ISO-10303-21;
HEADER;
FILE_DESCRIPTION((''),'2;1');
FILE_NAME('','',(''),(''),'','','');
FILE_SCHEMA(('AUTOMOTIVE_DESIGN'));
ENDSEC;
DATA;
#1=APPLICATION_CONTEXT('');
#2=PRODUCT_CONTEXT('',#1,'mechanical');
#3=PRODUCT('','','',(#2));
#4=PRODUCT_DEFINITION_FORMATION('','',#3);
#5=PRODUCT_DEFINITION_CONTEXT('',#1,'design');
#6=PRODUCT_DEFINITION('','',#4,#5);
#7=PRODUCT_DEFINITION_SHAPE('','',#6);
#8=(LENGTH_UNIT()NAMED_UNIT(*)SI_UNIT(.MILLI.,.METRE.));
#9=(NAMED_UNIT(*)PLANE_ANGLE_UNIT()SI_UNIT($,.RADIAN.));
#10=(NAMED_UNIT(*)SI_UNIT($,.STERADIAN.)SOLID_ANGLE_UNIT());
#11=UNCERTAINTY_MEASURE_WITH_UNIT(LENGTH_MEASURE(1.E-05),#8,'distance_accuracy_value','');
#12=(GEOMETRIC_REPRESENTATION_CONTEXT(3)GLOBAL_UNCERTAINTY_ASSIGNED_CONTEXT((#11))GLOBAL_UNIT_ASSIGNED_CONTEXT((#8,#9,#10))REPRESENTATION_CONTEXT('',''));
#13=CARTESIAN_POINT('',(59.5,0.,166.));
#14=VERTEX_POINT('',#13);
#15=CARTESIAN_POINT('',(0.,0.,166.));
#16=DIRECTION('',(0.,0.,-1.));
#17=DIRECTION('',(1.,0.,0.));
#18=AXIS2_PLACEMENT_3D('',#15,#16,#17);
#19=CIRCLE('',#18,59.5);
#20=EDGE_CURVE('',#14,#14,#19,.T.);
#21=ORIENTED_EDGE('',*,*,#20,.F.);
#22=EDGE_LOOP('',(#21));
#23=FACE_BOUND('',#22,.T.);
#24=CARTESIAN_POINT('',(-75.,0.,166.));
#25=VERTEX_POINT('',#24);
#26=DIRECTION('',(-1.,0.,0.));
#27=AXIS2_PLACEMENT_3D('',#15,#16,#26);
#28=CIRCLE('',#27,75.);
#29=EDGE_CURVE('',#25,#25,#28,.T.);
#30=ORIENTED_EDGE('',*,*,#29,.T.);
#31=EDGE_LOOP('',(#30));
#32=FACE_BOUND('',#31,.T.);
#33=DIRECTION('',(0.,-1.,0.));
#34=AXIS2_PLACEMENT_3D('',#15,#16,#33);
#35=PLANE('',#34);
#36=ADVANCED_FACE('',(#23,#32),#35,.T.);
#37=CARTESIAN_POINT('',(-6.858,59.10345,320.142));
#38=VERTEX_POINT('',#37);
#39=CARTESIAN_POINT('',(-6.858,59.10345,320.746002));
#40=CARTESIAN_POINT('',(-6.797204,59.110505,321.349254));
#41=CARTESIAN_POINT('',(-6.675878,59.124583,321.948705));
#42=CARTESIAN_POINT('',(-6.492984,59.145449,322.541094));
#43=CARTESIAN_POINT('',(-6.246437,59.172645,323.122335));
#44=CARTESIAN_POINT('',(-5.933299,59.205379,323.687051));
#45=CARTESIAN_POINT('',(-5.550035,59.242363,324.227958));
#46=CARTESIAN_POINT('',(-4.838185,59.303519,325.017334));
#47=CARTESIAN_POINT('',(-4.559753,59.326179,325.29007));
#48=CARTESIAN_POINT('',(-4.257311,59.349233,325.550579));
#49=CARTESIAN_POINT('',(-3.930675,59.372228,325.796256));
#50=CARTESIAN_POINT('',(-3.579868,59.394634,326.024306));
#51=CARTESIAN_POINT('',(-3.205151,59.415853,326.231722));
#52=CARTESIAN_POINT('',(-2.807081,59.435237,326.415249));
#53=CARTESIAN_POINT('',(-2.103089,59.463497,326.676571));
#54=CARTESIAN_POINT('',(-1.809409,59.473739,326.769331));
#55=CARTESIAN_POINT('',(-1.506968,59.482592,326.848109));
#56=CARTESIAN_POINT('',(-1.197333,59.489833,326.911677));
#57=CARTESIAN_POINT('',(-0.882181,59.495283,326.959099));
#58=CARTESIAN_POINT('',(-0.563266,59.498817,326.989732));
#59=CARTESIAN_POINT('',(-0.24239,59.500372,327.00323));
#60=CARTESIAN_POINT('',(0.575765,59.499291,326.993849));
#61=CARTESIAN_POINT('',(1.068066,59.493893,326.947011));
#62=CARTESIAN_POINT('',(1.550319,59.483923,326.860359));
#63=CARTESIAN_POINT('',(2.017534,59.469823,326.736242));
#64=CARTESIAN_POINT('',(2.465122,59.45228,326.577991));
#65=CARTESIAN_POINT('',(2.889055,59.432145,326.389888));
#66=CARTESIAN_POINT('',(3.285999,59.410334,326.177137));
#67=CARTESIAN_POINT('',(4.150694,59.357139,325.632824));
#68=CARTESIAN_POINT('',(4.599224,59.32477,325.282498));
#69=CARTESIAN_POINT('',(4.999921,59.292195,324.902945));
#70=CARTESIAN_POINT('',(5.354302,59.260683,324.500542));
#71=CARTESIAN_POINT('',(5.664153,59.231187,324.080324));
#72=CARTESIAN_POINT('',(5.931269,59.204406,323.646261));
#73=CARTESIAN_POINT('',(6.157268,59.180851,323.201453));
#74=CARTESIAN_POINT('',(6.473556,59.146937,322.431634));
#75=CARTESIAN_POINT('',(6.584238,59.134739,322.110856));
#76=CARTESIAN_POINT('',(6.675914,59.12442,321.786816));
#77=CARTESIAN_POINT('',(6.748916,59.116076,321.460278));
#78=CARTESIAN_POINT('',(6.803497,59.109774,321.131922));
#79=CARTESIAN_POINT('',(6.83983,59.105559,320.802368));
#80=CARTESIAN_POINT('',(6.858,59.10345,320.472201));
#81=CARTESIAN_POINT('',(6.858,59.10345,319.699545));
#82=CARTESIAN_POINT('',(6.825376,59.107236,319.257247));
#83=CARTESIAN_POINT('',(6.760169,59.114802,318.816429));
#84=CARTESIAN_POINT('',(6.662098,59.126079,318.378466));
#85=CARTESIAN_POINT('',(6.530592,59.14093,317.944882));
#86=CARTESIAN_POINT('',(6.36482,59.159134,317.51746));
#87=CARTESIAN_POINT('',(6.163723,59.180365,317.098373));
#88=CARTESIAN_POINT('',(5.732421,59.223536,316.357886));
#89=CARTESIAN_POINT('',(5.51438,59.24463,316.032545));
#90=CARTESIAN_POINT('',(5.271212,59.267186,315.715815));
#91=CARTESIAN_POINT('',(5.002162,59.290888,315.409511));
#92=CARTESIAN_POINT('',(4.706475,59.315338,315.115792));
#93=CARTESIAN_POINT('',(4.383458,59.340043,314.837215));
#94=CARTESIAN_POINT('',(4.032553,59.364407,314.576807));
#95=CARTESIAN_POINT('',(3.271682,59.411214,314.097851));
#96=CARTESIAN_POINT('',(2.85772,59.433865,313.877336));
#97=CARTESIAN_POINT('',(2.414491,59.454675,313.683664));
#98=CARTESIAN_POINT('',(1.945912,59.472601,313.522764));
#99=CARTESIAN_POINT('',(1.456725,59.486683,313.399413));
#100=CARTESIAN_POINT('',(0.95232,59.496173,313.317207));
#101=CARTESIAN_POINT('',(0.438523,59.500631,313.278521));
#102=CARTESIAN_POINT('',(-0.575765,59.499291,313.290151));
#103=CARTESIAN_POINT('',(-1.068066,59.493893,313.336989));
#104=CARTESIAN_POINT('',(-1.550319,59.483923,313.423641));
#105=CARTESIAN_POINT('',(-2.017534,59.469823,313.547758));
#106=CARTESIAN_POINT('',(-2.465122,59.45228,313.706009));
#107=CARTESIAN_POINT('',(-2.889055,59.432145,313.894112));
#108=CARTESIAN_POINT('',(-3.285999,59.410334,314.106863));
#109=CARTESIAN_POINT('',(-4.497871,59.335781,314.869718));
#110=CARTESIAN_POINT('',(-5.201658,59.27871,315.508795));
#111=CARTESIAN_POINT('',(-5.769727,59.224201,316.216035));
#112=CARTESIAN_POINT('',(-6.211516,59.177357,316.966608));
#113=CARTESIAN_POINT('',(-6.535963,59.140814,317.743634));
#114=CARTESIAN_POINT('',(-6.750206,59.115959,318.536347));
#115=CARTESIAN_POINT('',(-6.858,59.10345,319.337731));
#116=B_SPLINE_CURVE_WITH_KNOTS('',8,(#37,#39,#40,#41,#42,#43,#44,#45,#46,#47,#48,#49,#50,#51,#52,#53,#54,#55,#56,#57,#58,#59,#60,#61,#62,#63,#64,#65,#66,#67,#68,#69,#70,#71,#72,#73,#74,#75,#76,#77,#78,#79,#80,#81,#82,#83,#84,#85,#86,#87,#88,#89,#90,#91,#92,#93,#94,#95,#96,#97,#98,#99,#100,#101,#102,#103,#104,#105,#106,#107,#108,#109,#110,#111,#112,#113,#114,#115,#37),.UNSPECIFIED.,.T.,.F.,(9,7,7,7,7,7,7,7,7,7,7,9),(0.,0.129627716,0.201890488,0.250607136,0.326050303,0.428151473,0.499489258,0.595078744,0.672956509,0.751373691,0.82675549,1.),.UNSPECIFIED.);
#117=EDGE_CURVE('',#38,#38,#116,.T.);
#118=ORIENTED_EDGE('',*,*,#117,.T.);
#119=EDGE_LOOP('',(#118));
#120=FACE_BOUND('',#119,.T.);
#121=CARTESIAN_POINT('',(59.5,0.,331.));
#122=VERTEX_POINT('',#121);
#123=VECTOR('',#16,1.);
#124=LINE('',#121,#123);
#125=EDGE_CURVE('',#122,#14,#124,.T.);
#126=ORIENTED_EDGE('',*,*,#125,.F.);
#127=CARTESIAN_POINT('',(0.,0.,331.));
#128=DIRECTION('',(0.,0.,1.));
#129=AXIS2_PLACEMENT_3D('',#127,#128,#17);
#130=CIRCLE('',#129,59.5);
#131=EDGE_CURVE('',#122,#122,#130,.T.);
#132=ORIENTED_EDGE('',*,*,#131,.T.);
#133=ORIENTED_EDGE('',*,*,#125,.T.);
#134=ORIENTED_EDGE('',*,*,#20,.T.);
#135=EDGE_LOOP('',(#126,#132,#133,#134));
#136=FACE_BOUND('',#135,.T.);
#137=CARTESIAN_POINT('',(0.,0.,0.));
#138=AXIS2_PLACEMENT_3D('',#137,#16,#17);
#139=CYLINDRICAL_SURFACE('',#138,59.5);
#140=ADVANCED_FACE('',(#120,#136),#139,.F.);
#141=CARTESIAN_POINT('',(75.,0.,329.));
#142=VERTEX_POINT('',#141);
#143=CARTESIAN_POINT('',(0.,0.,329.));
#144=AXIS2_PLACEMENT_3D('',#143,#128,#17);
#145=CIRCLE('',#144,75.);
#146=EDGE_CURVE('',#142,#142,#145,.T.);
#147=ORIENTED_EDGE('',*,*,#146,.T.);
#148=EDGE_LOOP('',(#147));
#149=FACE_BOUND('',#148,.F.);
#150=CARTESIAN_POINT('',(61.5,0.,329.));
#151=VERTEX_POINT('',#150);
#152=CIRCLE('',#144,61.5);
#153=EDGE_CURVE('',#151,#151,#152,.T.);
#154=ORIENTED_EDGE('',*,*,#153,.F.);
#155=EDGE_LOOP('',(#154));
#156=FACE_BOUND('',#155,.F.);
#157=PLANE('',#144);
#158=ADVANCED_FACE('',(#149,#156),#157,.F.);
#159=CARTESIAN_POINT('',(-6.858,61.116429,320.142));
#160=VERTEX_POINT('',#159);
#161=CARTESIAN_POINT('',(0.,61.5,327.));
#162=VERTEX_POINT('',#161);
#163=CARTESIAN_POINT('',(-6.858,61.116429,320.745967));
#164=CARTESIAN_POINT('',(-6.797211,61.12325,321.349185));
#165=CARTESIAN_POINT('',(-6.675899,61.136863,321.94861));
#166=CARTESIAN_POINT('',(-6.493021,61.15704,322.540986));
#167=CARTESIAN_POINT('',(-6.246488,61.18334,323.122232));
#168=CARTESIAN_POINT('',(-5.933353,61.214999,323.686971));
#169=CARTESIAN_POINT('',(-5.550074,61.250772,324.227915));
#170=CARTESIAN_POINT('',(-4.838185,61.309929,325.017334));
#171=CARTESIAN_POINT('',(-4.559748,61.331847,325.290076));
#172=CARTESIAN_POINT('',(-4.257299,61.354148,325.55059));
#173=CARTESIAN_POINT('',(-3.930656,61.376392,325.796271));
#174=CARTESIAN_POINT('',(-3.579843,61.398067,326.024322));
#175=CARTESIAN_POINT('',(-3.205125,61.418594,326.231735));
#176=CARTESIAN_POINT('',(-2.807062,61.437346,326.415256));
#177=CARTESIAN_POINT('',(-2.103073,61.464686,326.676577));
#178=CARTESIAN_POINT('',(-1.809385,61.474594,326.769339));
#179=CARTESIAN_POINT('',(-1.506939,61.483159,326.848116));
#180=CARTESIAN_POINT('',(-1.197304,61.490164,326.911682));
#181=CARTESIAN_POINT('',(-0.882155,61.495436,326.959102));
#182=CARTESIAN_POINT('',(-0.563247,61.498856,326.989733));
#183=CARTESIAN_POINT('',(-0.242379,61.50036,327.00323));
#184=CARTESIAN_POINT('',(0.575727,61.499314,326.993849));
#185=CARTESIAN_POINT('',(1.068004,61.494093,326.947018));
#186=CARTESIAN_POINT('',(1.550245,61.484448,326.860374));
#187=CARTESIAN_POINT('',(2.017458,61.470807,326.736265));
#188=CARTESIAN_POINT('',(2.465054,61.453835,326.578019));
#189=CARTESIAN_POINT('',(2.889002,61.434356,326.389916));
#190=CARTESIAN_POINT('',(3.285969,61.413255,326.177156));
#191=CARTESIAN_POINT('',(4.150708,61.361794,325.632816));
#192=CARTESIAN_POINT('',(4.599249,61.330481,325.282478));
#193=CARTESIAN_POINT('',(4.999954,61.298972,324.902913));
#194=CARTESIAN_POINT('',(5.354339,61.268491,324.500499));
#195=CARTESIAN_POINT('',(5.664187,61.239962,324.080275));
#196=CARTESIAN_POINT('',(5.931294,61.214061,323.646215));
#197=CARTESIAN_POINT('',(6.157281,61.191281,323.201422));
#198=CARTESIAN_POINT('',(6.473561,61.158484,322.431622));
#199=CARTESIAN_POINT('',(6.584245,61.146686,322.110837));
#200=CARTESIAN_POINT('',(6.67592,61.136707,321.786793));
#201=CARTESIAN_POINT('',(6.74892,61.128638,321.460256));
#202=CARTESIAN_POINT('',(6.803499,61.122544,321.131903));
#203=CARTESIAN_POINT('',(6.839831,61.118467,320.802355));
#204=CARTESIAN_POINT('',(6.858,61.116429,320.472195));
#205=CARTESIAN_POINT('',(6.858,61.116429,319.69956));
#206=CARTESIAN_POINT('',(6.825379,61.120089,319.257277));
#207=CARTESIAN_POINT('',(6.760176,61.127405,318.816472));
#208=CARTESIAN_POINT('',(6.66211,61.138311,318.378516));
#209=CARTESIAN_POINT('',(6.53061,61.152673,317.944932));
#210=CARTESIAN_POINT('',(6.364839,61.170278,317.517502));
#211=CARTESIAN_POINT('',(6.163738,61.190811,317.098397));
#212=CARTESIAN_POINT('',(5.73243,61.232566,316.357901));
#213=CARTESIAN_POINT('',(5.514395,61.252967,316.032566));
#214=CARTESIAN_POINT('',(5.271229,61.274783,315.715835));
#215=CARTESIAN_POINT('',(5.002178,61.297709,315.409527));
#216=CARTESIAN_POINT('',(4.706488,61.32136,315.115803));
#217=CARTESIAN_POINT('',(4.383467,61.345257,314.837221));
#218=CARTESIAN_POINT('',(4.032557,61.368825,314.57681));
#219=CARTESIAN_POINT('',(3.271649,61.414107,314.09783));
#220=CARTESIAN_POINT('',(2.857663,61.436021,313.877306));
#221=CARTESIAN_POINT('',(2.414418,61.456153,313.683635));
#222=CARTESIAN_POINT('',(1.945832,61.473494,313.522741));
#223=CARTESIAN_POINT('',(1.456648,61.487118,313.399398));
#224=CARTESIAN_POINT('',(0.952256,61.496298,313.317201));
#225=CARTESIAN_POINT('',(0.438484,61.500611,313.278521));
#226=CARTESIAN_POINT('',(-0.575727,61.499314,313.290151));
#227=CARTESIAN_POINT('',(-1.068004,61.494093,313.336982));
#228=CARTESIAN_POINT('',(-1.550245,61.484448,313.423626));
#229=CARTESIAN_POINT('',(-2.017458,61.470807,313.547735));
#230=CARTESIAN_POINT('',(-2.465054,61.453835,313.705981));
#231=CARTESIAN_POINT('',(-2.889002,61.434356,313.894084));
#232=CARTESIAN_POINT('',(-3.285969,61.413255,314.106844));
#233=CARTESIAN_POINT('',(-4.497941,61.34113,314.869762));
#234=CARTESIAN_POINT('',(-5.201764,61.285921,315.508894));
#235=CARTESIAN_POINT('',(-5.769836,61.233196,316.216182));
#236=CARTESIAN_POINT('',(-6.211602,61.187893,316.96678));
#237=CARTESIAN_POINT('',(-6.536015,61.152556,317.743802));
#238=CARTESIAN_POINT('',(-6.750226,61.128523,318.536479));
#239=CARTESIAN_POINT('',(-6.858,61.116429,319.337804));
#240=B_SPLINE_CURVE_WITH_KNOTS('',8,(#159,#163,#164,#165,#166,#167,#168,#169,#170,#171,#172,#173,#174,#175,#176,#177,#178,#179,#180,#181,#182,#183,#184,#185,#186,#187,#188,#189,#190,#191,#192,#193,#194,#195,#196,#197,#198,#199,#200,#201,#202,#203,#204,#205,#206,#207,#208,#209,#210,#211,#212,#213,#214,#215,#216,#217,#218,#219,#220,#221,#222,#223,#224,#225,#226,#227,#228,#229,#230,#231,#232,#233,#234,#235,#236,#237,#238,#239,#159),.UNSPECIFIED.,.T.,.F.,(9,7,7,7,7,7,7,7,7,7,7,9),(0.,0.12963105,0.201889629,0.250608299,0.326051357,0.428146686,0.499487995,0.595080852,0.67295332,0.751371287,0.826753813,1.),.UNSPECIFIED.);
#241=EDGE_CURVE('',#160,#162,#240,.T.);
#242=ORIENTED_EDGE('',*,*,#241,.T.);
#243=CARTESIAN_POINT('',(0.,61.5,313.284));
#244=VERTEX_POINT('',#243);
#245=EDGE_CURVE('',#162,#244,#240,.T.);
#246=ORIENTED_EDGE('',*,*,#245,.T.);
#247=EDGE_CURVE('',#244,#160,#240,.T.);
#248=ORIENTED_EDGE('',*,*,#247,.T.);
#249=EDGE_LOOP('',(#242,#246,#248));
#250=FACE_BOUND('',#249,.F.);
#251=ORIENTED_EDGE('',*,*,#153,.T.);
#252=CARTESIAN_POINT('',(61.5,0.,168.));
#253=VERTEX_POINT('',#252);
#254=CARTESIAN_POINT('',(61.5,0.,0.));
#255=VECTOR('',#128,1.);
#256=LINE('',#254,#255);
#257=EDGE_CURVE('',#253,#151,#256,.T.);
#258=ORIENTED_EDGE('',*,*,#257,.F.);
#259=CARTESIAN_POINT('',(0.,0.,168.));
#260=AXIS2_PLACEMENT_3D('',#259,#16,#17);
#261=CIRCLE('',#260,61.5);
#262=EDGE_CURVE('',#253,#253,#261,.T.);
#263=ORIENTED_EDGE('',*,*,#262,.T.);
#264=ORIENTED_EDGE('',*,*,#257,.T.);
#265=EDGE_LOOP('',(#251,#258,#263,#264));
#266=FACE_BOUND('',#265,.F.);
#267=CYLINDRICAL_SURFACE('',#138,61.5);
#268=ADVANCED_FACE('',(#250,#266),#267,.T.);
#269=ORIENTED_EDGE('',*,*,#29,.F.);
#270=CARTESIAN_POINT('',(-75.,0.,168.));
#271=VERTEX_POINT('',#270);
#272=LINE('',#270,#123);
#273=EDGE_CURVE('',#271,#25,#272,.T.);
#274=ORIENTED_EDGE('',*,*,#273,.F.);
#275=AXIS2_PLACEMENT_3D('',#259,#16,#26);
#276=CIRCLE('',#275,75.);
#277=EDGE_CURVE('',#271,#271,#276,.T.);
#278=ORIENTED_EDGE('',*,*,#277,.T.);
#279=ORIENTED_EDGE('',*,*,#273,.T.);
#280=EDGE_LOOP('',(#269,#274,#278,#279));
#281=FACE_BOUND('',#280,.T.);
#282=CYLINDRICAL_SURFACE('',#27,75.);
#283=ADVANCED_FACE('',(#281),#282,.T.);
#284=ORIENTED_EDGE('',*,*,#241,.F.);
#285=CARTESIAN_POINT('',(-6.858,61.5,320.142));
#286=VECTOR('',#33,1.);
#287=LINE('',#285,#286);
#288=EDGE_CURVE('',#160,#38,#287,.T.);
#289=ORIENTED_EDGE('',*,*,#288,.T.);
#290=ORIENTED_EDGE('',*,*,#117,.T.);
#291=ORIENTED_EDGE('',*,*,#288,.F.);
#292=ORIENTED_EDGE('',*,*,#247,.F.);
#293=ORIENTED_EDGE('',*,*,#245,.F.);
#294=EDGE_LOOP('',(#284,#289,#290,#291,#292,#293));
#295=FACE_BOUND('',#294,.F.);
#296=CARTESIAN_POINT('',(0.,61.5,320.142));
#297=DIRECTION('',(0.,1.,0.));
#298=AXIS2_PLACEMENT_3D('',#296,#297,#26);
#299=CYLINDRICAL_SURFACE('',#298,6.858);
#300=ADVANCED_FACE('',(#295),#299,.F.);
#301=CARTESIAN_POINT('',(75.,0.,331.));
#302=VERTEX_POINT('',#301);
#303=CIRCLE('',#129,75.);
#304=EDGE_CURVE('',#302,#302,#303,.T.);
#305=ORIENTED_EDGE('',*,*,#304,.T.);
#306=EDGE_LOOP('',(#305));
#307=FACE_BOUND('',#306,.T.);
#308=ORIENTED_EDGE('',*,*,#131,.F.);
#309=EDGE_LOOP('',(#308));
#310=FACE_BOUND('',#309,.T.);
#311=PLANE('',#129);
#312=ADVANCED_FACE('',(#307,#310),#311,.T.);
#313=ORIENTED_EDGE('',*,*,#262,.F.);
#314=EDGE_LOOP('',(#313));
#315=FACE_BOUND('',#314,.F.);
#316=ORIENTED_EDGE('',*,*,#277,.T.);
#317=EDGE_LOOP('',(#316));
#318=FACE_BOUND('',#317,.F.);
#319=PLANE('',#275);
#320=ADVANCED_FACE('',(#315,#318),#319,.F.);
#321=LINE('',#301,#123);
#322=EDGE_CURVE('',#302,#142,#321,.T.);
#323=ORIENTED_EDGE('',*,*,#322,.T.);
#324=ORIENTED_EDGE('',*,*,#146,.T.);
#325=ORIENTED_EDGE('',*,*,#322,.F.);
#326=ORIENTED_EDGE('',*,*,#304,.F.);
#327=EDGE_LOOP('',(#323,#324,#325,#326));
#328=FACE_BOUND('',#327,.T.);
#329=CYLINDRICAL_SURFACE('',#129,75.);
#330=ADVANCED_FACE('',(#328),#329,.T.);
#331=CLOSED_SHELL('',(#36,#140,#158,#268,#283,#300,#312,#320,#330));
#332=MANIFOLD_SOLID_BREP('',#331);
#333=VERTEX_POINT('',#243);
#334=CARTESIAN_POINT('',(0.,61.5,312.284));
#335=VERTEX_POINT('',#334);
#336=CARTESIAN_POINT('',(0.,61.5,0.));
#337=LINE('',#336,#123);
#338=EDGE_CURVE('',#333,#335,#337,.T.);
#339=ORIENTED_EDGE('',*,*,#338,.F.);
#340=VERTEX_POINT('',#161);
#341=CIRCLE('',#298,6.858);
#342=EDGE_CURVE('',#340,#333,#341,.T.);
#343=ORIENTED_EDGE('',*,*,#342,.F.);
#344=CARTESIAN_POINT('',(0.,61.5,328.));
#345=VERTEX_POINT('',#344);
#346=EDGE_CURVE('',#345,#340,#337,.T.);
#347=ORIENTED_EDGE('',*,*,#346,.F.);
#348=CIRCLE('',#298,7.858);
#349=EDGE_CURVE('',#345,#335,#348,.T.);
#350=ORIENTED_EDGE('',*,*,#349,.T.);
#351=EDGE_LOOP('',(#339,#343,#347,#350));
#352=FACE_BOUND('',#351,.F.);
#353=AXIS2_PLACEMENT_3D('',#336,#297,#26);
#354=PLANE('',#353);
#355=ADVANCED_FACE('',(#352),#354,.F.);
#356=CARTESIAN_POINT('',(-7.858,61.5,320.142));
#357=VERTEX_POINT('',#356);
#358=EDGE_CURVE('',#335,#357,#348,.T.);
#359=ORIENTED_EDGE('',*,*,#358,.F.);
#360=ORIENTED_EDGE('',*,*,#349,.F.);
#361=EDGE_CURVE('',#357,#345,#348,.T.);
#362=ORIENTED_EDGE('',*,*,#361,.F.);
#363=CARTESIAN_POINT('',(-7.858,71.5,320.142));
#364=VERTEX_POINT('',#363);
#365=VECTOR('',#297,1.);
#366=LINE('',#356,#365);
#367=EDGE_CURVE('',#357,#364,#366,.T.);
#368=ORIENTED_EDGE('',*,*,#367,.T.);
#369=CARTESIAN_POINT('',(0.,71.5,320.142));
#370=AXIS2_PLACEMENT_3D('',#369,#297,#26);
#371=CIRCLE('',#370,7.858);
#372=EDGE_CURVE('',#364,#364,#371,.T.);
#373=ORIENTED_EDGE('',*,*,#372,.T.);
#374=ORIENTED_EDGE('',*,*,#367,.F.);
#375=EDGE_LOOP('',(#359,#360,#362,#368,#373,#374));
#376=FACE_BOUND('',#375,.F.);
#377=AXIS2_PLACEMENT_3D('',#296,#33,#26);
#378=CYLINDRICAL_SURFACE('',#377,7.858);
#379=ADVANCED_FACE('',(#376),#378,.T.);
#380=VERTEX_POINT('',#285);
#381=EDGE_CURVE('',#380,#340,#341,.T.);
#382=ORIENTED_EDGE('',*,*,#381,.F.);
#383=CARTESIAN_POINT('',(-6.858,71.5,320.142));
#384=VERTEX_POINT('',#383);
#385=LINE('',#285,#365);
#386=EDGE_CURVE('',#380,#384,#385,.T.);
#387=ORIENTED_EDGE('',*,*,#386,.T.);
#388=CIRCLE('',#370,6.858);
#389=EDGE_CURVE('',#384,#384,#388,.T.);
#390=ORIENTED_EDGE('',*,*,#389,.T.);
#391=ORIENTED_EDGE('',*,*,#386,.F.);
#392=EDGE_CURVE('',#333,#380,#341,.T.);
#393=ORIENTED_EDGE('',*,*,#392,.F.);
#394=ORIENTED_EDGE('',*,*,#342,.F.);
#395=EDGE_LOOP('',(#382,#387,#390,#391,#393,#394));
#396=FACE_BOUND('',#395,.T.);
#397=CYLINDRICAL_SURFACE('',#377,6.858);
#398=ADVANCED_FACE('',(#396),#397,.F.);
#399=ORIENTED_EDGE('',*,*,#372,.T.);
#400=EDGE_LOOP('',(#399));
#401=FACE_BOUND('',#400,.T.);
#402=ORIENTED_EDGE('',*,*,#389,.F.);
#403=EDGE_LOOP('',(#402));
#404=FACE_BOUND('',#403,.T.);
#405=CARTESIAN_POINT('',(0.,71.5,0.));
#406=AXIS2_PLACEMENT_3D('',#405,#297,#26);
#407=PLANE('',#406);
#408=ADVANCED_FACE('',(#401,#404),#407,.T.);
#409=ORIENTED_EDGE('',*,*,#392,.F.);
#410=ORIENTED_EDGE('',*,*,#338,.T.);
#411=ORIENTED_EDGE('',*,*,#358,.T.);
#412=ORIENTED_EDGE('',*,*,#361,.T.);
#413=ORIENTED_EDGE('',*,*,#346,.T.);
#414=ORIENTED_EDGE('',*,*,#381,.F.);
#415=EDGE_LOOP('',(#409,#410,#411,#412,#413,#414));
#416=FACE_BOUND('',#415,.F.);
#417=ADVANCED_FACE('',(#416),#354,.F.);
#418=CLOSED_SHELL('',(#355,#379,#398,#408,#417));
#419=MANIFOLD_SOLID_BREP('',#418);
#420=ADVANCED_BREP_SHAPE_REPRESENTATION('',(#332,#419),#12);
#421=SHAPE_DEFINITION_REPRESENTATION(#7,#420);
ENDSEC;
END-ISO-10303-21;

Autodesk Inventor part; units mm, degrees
ref_plane "YZ Plane" through (0, 0, 0) normal (1, 0, 0) x (0, 1, 0)
ref_plane "XY Plane" through (0, 0, 0) normal (0, 0, 1) x (1, 0, 0)
sketch "Sketch1" plane through (0, 0, 0) normal (0, 0, 1) x (1, 0, 0)
  circle A0 centre (0, 0) radius 59.5
  circle A1 centre (0, 0) radius 61.5
  dimension "d0" = 119
  dimension "d1" = 123
extrude "Extrusion1" add sketch "Sketch1" along normal blind 331
ref_plane "Work Plane1" through (0, 61.5, 0) normal (0, 1, 0) x (-1, 0, 0)
sketch "Sketch2" plane through (0, 61.5, 0) normal (0, 1, 0) x (-1, 0, 0)
  line L0 (61.5, 0) -> (-61.5, 0) projected
  line L1 (0, 0) -> (0, 4)
  line L2 (0, 4) -> (0, 8.666)
  circle A0 centre (0, 15.524) radius 6.858
  circle A1 centre (0, 15.524) radius 7.858
  dimension "d6" = 4
  dimension "d7" = 4.666
  dimension "d8" = 13.716
  dimension "d9" = 6.858
  dimension "d33" = 15.716
extrude "Extrusion2" cut sketch "Sketch2" against normal blind 23 contours A0
sketch "Sketch3" plane through (0, 61.5, 0) normal (0, 1, 0) x (-1, 0, 0)
  line L0 (0, 0) -> (0, 331) construction
  line L1 (-59.5, 331) -> (59.5, 331) projected
  line L2 (0, 331) -> (0, 323) construction
  circle A0 centre (0, 320.142) radius 6.858
  circle A1 centre (0, 320.142) radius 7.858
  point P0 (0, 327)
  dimension "d12" = 8
  dimension "d13" = 13.716
  dimension "d14" = 6.858
  dimension "d36" = 15.716
extrude "Extrusion3" cut sketch "Sketch3" against normal blind 3 contours A0
thread "Thread1" size "M14x1.25" class "6H" standard "ANSI Metric M Profile" full length
thread "Thread2" size "M14x1.25" class "6H" standard "ANSI Metric M Profile" full length
sketch "Sketch4" plane through (0, 61.5, 0) normal (0, 1, 0) x (-1, 0, 0)
  point P0 (0, 0)
sketch "Sketch5" plane through (0, 61.5, 0) normal (0, 1, 0) x (-1, 0, 0)
  line L0 (0, 0) -> (0, 76) construction
  circle A0 centre (0, 76) radius 4
  dimension "d21" = 76
  dimension "d22" = 8
extrude "Extrusion4" cut sketch "Sketch5" against normal through all
thread "Thread3" size "M8x1.25" class "6H" standard "ANSI Metric M Profile" full length
thread "Thread4" size "M8x1.25" class "6H" standard "ANSI Metric M Profile" full length
sketch "Sketch6" plane through (0, 0, 331) normal (0, 0, 1) x (1, 0, 0)
  circle A0 centre (0, 0) radius 75
  circle A1 centre (0, 0) radius 61.5
  dimension "d29" = 150
  dimension "d30" = 123
extrude "Extrusion5" add sketch "Sketch6" against normal blind 2
extrude "Extrusion6" add sketch "Sketch2" along normal blind 10
extrude "Extrusion7" add sketch "Sketch3" along normal blind 10
ref_plane "Work Plane2" through (0, 0, 166) normal (0, 0, -1) x (-1, 0, 0)
split_face "Split2"
sketch "Sketch7" plane through (0, 0, 166) normal (0, 0, -1) x (-1, 0, 0)
  circle A0 centre (0, 0) radius 75
  circle A1 centre (0, 0) radius 59.5 projected
  circle A2 centre (0, 0) radius 59.5
  dimension "d40" = 150
extrude "Extrusion8" add sketch "Sketch7" along normal blind 2
extrude "Extrusion9" add sketch "Sketch7" against normal blind 2
split "Split3" plane through (0, 0, 166) removes the side toward (0, 0, -1)
properties part number "stainless steel outer wall front" material "Aluminum 6061"
